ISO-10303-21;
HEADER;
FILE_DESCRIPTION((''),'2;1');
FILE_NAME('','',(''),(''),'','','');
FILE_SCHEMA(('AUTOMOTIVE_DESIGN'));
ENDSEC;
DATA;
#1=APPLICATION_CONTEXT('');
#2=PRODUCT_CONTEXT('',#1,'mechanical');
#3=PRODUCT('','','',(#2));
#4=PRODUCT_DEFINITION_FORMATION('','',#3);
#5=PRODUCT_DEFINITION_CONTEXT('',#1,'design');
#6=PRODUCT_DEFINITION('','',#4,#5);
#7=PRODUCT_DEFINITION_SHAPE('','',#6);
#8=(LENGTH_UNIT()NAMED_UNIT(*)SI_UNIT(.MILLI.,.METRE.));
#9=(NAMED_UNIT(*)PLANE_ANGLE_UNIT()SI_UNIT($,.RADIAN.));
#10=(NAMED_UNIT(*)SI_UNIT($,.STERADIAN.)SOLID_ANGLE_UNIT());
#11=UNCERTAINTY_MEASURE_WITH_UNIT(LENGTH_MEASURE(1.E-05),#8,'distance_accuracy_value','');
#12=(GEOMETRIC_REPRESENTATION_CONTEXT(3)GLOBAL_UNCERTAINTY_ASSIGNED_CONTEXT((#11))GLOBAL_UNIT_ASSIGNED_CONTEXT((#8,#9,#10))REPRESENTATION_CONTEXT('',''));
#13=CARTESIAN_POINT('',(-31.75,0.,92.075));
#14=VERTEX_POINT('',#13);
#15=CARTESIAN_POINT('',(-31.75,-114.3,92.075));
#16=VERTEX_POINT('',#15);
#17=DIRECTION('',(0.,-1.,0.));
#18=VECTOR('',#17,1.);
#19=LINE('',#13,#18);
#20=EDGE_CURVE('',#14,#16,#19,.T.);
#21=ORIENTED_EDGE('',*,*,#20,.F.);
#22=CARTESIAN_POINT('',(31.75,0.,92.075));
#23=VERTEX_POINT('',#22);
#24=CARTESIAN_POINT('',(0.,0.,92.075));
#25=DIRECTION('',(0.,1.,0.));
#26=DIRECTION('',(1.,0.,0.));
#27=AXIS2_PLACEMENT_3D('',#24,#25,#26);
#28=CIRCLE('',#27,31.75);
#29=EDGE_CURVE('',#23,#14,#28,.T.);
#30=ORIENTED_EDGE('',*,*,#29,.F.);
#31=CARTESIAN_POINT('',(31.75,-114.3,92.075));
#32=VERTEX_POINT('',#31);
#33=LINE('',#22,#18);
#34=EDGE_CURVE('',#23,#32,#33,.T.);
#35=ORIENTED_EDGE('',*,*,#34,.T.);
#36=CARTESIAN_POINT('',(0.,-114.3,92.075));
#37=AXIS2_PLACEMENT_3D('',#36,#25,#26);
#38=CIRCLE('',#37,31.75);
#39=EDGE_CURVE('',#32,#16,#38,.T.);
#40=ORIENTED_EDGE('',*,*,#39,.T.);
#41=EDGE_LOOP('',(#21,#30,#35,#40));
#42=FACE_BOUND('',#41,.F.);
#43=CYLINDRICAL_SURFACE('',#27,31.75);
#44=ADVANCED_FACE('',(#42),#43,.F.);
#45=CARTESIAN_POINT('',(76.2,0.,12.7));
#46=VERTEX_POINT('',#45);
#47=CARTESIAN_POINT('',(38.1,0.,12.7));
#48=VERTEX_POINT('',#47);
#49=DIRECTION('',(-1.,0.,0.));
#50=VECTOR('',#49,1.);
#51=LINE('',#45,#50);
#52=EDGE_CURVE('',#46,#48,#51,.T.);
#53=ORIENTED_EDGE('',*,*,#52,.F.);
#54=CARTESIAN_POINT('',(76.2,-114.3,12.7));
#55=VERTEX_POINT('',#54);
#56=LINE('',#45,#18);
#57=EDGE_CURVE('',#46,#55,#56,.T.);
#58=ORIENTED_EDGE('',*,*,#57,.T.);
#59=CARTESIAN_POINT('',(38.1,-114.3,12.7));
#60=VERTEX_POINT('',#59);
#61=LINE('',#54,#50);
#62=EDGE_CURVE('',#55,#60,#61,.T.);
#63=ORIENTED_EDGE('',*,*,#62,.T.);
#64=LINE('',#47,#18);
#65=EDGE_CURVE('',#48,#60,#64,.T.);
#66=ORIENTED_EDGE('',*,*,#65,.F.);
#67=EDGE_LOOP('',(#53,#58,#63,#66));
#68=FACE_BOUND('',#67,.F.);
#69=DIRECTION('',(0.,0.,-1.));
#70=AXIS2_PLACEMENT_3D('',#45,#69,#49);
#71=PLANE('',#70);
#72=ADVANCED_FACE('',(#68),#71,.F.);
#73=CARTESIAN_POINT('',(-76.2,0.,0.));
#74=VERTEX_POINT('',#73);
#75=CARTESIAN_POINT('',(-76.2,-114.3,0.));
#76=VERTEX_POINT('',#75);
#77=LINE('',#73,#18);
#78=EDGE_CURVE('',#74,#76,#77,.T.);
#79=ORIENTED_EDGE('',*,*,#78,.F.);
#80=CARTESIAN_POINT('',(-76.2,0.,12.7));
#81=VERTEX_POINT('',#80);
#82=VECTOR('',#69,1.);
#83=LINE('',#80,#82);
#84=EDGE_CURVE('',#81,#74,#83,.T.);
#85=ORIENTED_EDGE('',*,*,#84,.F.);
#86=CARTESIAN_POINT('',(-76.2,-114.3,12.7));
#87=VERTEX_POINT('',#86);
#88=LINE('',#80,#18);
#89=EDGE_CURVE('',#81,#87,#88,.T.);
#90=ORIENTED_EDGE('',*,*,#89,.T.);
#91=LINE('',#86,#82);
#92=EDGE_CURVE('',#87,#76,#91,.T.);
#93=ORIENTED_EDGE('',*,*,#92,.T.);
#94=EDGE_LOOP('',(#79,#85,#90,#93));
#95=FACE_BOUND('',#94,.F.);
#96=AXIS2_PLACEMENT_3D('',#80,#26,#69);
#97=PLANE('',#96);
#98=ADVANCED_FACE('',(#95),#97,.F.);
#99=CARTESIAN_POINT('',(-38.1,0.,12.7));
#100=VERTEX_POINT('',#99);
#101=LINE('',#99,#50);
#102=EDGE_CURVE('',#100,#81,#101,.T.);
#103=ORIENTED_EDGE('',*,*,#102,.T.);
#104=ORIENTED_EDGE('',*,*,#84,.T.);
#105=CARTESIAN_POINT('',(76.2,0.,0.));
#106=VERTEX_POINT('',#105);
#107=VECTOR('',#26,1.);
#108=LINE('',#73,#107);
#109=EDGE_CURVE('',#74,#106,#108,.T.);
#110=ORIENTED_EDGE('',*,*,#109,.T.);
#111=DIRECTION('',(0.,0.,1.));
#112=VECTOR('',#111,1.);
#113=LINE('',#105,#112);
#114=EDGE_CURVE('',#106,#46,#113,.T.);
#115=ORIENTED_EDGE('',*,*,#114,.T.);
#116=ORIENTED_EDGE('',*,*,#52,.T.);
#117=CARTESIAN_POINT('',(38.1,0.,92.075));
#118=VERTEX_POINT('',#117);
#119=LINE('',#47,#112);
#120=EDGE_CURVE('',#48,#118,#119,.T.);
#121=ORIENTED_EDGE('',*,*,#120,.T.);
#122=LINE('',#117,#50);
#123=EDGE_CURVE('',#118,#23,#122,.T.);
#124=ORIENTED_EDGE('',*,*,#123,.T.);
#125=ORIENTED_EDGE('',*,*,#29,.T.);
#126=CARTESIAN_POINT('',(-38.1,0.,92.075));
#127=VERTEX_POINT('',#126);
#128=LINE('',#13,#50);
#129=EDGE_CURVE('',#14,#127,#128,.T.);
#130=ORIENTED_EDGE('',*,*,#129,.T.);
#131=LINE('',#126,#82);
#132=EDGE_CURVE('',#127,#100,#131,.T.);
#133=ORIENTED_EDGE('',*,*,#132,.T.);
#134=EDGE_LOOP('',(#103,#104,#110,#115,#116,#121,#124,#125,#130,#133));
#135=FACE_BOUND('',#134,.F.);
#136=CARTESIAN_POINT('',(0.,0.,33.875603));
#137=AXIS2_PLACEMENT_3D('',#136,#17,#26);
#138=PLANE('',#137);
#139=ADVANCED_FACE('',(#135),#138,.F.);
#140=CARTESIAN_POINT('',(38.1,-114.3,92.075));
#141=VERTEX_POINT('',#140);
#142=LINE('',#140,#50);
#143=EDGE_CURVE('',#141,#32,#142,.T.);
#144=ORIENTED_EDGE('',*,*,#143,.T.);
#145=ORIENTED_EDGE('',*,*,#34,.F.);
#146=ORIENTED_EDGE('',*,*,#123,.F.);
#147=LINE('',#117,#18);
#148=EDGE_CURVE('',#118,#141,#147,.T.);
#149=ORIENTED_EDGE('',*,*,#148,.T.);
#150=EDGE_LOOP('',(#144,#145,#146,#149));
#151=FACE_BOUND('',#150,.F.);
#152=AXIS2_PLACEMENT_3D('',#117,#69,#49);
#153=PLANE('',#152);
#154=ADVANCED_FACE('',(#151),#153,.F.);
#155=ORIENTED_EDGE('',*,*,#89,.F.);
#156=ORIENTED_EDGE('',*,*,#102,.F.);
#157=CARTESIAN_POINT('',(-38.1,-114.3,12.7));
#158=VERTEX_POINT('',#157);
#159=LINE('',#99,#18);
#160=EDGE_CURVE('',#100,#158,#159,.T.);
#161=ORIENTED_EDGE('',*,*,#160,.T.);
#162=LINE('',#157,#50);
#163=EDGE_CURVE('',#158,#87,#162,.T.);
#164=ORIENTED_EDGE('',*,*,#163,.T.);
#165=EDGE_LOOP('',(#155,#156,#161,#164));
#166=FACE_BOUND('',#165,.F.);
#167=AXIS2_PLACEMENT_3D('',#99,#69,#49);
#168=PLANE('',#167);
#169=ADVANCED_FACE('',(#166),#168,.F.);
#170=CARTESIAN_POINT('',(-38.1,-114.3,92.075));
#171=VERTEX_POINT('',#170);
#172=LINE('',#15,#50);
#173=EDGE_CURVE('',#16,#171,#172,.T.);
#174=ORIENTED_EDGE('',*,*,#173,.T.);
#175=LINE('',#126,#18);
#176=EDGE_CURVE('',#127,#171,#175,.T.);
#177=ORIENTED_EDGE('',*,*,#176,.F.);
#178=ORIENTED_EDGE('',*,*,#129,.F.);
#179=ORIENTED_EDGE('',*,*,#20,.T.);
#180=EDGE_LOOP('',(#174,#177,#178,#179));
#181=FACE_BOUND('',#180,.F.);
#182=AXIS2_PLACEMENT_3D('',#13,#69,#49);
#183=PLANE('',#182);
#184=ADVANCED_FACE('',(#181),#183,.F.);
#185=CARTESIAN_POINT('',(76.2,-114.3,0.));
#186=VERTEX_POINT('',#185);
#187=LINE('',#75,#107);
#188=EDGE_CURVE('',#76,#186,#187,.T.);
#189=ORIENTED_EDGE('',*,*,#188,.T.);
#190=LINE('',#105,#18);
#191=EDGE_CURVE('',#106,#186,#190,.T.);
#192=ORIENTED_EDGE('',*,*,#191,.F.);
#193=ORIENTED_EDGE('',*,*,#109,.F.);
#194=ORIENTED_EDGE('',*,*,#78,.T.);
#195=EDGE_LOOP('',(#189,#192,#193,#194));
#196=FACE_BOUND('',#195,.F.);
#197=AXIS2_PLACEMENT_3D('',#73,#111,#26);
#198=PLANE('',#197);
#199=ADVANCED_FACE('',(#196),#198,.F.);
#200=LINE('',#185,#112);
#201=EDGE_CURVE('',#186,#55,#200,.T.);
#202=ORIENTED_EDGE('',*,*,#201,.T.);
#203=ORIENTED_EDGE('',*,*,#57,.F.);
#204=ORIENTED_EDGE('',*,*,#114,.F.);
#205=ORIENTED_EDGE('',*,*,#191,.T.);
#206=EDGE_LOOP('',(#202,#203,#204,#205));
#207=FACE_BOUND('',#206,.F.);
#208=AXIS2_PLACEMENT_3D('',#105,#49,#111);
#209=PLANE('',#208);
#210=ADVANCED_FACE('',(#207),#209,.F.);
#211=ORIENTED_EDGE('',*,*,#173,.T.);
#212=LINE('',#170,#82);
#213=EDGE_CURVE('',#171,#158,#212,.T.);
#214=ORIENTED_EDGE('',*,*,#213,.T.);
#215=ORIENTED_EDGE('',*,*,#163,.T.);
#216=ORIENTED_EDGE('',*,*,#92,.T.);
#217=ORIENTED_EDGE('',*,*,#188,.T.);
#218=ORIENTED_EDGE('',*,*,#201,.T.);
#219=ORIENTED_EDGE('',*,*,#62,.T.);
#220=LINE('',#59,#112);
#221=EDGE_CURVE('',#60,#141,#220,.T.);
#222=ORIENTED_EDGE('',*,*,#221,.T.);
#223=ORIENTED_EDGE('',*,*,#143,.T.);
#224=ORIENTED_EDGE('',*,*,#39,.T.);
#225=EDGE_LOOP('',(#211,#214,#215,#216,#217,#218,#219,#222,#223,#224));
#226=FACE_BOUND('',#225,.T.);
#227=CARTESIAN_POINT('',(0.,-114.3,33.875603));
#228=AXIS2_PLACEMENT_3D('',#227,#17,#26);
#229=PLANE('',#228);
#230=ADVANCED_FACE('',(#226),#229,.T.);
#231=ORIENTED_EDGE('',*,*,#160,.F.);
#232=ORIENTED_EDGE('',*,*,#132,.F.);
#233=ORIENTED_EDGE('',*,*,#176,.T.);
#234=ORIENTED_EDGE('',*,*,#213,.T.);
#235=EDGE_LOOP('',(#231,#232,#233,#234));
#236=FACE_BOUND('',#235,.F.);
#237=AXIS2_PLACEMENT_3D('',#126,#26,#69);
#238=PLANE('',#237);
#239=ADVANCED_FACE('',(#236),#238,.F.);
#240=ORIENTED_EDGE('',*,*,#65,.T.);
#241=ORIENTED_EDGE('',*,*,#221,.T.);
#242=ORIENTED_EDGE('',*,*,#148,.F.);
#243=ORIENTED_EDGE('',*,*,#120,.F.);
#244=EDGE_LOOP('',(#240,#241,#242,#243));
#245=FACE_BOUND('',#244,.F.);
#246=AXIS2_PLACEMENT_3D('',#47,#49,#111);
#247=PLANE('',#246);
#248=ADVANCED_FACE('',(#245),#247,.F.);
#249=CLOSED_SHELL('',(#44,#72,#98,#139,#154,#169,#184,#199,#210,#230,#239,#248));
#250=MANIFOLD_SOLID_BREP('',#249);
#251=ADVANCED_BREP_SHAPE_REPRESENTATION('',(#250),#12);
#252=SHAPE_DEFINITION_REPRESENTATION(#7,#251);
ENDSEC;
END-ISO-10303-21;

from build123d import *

# Parameters (mm, degrees)
F1_DEPTH = 114.3


with BuildPart() as f1:
    # F0 (on Front) → F1 (new body)
    with BuildSketch(Plane.XZ):
        with BuildLine():
            Line((-76.2, 0), (0, 0))
            Line((0, 0), (76.2, 0))
            Line((76.2, 0), (76.2, 12.7))
            Line((76.2, 12.7), (38.1, 12.7))
            Line((38.1, 12.7), (38.1, 92.075))
            Line((38.1, 92.075), (31.75, 92.075))
            ThreePointArc((31.75, 92.075), (0, 60.325), (-31.75, 92.075))
            Line((-31.75, 92.075), (-38.1, 92.075))
            Line((-38.1, 92.075), (-38.1, 12.7))
            Line((-38.1, 12.7), (-76.2, 12.7))
            Line((-76.2, 12.7), (-76.2, 0))
        make_face()
    extrude(amount=F1_DEPTH)


solid = f1.part
